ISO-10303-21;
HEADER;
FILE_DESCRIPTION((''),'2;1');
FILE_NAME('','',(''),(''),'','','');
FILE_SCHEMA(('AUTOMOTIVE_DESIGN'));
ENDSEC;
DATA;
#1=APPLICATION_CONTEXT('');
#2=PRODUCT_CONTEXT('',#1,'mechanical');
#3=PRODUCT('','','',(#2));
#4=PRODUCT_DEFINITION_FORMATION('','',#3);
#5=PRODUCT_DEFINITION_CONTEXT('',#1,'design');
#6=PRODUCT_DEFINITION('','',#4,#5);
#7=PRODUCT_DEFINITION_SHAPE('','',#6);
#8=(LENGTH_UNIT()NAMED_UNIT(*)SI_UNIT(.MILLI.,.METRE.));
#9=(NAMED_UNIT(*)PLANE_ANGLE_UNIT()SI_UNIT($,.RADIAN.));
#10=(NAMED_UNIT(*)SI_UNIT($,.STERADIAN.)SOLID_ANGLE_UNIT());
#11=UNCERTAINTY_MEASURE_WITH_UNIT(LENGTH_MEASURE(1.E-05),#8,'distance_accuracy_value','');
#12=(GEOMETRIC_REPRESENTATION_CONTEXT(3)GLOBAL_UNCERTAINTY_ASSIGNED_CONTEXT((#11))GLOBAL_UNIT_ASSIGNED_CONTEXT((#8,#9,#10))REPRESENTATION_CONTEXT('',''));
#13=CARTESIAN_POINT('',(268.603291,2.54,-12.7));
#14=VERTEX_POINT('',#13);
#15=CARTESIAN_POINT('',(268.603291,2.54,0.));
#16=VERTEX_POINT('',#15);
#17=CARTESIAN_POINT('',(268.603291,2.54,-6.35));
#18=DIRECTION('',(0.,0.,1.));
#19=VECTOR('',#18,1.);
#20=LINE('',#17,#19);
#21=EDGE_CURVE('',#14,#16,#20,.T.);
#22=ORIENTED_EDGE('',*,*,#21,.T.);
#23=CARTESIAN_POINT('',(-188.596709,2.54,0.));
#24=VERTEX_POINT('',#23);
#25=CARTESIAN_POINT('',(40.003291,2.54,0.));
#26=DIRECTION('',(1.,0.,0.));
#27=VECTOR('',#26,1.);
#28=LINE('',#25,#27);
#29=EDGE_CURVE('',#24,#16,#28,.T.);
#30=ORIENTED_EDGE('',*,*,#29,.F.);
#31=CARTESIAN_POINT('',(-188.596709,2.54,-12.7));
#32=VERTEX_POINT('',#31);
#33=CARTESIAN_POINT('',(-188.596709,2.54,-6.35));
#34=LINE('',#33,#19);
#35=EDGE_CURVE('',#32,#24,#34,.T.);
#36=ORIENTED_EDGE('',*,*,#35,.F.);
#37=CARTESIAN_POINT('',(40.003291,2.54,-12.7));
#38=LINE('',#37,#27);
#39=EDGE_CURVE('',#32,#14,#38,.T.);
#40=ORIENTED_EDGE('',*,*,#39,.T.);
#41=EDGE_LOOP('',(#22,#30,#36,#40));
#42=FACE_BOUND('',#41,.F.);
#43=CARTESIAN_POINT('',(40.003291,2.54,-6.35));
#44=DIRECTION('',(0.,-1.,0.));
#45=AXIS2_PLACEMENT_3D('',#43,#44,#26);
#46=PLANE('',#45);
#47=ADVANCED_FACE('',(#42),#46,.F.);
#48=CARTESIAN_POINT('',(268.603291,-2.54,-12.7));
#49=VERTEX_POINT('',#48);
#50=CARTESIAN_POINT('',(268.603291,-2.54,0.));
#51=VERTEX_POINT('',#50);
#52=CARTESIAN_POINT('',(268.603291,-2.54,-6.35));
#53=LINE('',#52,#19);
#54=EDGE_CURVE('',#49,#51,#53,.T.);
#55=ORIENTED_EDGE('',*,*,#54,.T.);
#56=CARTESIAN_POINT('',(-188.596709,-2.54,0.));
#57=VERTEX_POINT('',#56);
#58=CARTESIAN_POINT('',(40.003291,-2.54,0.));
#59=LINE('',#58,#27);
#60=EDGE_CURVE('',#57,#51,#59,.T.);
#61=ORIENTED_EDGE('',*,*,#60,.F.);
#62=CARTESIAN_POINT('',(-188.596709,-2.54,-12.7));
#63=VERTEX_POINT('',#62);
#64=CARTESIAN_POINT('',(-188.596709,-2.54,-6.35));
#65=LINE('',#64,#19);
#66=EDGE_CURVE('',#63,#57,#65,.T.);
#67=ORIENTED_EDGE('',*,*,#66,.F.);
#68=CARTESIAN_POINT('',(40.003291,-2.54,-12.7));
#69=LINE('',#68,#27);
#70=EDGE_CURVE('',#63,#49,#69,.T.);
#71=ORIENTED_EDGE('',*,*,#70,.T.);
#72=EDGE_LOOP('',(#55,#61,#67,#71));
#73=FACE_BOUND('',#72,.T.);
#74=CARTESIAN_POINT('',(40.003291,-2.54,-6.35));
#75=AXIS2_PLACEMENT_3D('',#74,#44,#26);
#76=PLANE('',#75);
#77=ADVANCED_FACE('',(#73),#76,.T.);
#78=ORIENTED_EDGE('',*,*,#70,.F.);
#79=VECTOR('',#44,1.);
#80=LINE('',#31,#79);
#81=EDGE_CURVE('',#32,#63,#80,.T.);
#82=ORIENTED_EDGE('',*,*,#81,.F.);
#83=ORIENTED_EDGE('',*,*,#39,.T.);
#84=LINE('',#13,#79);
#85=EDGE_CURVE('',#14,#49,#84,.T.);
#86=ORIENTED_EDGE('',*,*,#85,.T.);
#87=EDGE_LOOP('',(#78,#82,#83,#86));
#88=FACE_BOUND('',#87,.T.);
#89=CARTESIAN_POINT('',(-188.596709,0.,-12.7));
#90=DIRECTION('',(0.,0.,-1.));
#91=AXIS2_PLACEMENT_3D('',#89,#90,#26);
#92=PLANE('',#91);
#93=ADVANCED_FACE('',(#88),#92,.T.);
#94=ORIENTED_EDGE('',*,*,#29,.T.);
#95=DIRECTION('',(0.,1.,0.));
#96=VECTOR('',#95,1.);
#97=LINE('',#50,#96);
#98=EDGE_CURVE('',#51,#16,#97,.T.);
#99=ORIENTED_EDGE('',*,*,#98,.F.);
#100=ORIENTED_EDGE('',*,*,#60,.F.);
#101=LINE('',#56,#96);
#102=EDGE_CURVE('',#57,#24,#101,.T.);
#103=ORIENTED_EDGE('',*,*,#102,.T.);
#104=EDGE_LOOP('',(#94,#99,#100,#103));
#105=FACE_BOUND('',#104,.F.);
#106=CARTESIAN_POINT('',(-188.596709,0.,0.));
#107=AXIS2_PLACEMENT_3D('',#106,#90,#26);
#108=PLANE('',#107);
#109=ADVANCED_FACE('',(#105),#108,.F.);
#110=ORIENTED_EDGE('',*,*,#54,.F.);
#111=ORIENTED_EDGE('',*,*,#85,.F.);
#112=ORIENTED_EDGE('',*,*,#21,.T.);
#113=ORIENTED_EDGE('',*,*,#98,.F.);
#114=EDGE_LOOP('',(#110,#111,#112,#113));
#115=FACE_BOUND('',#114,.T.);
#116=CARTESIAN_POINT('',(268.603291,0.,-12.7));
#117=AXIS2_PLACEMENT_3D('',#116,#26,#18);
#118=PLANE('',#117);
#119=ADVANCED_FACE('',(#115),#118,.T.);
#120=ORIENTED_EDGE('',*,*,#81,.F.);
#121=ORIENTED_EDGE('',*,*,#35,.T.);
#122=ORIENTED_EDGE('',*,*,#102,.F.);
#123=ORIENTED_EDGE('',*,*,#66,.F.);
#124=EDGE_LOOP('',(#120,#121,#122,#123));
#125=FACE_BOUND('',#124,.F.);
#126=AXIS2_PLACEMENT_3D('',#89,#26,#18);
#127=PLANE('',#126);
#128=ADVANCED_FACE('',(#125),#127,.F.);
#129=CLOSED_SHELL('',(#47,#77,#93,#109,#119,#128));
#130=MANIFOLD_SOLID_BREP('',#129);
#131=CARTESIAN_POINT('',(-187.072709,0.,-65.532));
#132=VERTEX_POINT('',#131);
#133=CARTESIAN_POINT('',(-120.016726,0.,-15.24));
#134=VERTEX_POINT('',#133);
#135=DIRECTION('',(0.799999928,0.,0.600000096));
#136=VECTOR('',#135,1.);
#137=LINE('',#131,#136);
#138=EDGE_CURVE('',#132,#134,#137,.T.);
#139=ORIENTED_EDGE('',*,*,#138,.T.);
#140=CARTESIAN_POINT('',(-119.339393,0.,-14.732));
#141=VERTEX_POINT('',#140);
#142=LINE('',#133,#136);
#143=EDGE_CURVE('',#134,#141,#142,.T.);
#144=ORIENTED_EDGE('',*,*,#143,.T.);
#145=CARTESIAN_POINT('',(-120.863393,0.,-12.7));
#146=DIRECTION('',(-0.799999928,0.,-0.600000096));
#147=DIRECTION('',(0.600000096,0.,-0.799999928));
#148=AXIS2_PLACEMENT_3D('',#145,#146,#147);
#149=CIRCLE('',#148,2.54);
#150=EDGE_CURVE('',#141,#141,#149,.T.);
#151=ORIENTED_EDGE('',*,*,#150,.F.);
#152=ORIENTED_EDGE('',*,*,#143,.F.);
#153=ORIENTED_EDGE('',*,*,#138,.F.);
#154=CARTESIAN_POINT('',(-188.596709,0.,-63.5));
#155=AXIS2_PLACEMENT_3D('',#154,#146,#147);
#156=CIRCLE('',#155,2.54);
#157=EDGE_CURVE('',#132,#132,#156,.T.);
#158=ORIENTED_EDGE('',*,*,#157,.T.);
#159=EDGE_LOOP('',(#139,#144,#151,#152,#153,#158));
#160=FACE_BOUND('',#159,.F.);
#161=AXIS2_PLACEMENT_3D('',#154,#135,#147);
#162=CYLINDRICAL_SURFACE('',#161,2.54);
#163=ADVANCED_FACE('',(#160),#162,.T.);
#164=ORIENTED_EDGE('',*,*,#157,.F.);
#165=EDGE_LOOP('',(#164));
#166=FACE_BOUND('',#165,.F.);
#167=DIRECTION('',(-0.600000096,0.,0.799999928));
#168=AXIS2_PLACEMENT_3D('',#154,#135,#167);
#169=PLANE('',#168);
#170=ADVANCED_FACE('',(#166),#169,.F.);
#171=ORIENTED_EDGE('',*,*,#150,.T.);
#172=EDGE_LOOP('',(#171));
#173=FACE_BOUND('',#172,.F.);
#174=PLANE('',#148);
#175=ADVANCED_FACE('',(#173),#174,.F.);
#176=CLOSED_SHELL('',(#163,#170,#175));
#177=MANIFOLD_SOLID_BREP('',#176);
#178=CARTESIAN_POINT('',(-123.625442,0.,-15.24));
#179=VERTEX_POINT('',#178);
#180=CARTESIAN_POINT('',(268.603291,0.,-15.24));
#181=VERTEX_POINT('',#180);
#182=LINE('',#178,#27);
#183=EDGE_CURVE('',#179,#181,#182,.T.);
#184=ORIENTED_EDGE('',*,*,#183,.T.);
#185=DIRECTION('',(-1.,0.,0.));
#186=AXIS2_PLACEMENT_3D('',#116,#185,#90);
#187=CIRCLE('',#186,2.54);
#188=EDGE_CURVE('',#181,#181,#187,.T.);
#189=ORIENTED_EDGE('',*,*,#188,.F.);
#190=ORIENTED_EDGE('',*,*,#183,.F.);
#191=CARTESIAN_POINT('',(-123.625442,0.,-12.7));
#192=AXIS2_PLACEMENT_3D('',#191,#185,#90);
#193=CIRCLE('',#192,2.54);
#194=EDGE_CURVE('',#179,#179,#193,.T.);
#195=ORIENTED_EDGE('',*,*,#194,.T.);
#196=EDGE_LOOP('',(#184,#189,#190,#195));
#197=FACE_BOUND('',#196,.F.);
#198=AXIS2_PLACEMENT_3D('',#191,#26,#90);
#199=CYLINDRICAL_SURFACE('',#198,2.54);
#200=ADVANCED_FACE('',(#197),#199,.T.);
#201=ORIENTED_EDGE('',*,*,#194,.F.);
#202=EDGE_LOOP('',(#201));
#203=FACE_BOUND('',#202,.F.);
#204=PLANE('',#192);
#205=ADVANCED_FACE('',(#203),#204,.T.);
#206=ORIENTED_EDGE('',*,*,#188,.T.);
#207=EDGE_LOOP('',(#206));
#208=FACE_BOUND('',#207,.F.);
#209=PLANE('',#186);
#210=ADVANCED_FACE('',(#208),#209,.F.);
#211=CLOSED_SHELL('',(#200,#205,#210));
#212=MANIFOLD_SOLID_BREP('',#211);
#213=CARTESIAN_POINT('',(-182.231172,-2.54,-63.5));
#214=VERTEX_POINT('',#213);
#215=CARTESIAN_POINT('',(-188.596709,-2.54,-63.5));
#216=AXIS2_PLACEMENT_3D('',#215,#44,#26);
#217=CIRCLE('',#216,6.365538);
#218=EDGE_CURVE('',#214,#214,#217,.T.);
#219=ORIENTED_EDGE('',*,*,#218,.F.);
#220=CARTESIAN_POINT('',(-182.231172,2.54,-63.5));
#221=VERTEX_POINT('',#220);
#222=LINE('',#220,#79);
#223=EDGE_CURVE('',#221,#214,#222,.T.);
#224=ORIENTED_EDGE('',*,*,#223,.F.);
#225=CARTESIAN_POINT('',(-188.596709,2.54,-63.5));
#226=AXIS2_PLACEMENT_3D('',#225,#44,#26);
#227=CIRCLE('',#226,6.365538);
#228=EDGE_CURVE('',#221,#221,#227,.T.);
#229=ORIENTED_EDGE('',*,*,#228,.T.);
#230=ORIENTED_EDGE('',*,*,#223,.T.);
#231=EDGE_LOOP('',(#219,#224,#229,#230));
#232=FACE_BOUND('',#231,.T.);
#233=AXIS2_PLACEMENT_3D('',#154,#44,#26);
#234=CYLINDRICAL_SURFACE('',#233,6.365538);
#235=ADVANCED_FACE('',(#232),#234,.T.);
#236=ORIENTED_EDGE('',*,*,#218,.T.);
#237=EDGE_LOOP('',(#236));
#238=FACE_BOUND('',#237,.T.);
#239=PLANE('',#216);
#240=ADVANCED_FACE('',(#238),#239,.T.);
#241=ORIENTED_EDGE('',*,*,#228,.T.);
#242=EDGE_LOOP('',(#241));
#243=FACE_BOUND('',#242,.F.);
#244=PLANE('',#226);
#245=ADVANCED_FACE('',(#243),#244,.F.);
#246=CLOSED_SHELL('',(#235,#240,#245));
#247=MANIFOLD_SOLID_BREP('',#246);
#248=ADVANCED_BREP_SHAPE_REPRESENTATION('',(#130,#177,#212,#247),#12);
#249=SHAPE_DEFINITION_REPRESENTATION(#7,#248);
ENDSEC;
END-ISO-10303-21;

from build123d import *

# Parameters (mm, degrees)
F0_W     = 457.2
F0_H     = 12.7
F1_DEPTH = 2.54
F0_R     = 6.3655376122


with BuildPart() as f1:
    # F0 (on Front) → F1 (new body, symmetric)
    with BuildSketch(Plane.XZ):
        with Locations((40.0032907919, -6.35)):
            Rectangle(F0_W, F0_H)
    extrude(amount=F1_DEPTH, both=True)


with BuildPart() as f1b:
    # F0 (on Front) → F1, piece 2 (new body, symmetric)
    with BuildSketch(Plane.XZ):
        with Locations((-188.5967092081, -63.5)):
            Circle(F0_R)
    extrude(amount=F1_DEPTH, both=True)


with BuildPart() as f3:
    # F2 (on Front) → F3 (revolve)
    with BuildSketch(Plane.XZ):
        Polygon((-119.3393925642, -14.7319998171), (-120.8633928081, -12.7), (-123.6254423857, -14.7715377011), (-123.6254423857, -15.24), (-120.0167259721, -15.24), align=None)
        Polygon((-123.6254423857, -15.24), (-123.6254423857, -14.7715377011), (-188.5967092081, -63.5), (-187.0727089642, -65.5319998171), (-120.0167259721, -15.24), align=None)
    revolve(axis=Axis((-154.7300510081, 0, -38.1), (-0.799999928, 0, -0.600000096)))


with BuildPart() as f4:
    # F2 (on Front) → F4 (revolve)
    with BuildSketch(Plane.XZ):
        Polygon((268.6032907919, -12.7), (-120.8633928081, -12.7), (-119.3393925642, -14.7319998171), (-120.0167259721, -15.24), (268.6032907919, -15.24), align=None)
        Polygon((-123.6254423857, -14.7715377011), (-120.8633928081, -12.7), (-123.6254423857, -12.7), align=None)
        Polygon((-119.3393925642, -14.7319998171), (-120.8633928081, -12.7), (-123.6254423857, -14.7715377011), (-123.6254423857, -15.24), (-120.0167259721, -15.24), align=None)
    revolve(axis=Axis((-122.2444175969, 0, -12.7), (-1, 0, 0)))


solid = Compound([f1.part, f1b.part, f3.part, f4.part])
